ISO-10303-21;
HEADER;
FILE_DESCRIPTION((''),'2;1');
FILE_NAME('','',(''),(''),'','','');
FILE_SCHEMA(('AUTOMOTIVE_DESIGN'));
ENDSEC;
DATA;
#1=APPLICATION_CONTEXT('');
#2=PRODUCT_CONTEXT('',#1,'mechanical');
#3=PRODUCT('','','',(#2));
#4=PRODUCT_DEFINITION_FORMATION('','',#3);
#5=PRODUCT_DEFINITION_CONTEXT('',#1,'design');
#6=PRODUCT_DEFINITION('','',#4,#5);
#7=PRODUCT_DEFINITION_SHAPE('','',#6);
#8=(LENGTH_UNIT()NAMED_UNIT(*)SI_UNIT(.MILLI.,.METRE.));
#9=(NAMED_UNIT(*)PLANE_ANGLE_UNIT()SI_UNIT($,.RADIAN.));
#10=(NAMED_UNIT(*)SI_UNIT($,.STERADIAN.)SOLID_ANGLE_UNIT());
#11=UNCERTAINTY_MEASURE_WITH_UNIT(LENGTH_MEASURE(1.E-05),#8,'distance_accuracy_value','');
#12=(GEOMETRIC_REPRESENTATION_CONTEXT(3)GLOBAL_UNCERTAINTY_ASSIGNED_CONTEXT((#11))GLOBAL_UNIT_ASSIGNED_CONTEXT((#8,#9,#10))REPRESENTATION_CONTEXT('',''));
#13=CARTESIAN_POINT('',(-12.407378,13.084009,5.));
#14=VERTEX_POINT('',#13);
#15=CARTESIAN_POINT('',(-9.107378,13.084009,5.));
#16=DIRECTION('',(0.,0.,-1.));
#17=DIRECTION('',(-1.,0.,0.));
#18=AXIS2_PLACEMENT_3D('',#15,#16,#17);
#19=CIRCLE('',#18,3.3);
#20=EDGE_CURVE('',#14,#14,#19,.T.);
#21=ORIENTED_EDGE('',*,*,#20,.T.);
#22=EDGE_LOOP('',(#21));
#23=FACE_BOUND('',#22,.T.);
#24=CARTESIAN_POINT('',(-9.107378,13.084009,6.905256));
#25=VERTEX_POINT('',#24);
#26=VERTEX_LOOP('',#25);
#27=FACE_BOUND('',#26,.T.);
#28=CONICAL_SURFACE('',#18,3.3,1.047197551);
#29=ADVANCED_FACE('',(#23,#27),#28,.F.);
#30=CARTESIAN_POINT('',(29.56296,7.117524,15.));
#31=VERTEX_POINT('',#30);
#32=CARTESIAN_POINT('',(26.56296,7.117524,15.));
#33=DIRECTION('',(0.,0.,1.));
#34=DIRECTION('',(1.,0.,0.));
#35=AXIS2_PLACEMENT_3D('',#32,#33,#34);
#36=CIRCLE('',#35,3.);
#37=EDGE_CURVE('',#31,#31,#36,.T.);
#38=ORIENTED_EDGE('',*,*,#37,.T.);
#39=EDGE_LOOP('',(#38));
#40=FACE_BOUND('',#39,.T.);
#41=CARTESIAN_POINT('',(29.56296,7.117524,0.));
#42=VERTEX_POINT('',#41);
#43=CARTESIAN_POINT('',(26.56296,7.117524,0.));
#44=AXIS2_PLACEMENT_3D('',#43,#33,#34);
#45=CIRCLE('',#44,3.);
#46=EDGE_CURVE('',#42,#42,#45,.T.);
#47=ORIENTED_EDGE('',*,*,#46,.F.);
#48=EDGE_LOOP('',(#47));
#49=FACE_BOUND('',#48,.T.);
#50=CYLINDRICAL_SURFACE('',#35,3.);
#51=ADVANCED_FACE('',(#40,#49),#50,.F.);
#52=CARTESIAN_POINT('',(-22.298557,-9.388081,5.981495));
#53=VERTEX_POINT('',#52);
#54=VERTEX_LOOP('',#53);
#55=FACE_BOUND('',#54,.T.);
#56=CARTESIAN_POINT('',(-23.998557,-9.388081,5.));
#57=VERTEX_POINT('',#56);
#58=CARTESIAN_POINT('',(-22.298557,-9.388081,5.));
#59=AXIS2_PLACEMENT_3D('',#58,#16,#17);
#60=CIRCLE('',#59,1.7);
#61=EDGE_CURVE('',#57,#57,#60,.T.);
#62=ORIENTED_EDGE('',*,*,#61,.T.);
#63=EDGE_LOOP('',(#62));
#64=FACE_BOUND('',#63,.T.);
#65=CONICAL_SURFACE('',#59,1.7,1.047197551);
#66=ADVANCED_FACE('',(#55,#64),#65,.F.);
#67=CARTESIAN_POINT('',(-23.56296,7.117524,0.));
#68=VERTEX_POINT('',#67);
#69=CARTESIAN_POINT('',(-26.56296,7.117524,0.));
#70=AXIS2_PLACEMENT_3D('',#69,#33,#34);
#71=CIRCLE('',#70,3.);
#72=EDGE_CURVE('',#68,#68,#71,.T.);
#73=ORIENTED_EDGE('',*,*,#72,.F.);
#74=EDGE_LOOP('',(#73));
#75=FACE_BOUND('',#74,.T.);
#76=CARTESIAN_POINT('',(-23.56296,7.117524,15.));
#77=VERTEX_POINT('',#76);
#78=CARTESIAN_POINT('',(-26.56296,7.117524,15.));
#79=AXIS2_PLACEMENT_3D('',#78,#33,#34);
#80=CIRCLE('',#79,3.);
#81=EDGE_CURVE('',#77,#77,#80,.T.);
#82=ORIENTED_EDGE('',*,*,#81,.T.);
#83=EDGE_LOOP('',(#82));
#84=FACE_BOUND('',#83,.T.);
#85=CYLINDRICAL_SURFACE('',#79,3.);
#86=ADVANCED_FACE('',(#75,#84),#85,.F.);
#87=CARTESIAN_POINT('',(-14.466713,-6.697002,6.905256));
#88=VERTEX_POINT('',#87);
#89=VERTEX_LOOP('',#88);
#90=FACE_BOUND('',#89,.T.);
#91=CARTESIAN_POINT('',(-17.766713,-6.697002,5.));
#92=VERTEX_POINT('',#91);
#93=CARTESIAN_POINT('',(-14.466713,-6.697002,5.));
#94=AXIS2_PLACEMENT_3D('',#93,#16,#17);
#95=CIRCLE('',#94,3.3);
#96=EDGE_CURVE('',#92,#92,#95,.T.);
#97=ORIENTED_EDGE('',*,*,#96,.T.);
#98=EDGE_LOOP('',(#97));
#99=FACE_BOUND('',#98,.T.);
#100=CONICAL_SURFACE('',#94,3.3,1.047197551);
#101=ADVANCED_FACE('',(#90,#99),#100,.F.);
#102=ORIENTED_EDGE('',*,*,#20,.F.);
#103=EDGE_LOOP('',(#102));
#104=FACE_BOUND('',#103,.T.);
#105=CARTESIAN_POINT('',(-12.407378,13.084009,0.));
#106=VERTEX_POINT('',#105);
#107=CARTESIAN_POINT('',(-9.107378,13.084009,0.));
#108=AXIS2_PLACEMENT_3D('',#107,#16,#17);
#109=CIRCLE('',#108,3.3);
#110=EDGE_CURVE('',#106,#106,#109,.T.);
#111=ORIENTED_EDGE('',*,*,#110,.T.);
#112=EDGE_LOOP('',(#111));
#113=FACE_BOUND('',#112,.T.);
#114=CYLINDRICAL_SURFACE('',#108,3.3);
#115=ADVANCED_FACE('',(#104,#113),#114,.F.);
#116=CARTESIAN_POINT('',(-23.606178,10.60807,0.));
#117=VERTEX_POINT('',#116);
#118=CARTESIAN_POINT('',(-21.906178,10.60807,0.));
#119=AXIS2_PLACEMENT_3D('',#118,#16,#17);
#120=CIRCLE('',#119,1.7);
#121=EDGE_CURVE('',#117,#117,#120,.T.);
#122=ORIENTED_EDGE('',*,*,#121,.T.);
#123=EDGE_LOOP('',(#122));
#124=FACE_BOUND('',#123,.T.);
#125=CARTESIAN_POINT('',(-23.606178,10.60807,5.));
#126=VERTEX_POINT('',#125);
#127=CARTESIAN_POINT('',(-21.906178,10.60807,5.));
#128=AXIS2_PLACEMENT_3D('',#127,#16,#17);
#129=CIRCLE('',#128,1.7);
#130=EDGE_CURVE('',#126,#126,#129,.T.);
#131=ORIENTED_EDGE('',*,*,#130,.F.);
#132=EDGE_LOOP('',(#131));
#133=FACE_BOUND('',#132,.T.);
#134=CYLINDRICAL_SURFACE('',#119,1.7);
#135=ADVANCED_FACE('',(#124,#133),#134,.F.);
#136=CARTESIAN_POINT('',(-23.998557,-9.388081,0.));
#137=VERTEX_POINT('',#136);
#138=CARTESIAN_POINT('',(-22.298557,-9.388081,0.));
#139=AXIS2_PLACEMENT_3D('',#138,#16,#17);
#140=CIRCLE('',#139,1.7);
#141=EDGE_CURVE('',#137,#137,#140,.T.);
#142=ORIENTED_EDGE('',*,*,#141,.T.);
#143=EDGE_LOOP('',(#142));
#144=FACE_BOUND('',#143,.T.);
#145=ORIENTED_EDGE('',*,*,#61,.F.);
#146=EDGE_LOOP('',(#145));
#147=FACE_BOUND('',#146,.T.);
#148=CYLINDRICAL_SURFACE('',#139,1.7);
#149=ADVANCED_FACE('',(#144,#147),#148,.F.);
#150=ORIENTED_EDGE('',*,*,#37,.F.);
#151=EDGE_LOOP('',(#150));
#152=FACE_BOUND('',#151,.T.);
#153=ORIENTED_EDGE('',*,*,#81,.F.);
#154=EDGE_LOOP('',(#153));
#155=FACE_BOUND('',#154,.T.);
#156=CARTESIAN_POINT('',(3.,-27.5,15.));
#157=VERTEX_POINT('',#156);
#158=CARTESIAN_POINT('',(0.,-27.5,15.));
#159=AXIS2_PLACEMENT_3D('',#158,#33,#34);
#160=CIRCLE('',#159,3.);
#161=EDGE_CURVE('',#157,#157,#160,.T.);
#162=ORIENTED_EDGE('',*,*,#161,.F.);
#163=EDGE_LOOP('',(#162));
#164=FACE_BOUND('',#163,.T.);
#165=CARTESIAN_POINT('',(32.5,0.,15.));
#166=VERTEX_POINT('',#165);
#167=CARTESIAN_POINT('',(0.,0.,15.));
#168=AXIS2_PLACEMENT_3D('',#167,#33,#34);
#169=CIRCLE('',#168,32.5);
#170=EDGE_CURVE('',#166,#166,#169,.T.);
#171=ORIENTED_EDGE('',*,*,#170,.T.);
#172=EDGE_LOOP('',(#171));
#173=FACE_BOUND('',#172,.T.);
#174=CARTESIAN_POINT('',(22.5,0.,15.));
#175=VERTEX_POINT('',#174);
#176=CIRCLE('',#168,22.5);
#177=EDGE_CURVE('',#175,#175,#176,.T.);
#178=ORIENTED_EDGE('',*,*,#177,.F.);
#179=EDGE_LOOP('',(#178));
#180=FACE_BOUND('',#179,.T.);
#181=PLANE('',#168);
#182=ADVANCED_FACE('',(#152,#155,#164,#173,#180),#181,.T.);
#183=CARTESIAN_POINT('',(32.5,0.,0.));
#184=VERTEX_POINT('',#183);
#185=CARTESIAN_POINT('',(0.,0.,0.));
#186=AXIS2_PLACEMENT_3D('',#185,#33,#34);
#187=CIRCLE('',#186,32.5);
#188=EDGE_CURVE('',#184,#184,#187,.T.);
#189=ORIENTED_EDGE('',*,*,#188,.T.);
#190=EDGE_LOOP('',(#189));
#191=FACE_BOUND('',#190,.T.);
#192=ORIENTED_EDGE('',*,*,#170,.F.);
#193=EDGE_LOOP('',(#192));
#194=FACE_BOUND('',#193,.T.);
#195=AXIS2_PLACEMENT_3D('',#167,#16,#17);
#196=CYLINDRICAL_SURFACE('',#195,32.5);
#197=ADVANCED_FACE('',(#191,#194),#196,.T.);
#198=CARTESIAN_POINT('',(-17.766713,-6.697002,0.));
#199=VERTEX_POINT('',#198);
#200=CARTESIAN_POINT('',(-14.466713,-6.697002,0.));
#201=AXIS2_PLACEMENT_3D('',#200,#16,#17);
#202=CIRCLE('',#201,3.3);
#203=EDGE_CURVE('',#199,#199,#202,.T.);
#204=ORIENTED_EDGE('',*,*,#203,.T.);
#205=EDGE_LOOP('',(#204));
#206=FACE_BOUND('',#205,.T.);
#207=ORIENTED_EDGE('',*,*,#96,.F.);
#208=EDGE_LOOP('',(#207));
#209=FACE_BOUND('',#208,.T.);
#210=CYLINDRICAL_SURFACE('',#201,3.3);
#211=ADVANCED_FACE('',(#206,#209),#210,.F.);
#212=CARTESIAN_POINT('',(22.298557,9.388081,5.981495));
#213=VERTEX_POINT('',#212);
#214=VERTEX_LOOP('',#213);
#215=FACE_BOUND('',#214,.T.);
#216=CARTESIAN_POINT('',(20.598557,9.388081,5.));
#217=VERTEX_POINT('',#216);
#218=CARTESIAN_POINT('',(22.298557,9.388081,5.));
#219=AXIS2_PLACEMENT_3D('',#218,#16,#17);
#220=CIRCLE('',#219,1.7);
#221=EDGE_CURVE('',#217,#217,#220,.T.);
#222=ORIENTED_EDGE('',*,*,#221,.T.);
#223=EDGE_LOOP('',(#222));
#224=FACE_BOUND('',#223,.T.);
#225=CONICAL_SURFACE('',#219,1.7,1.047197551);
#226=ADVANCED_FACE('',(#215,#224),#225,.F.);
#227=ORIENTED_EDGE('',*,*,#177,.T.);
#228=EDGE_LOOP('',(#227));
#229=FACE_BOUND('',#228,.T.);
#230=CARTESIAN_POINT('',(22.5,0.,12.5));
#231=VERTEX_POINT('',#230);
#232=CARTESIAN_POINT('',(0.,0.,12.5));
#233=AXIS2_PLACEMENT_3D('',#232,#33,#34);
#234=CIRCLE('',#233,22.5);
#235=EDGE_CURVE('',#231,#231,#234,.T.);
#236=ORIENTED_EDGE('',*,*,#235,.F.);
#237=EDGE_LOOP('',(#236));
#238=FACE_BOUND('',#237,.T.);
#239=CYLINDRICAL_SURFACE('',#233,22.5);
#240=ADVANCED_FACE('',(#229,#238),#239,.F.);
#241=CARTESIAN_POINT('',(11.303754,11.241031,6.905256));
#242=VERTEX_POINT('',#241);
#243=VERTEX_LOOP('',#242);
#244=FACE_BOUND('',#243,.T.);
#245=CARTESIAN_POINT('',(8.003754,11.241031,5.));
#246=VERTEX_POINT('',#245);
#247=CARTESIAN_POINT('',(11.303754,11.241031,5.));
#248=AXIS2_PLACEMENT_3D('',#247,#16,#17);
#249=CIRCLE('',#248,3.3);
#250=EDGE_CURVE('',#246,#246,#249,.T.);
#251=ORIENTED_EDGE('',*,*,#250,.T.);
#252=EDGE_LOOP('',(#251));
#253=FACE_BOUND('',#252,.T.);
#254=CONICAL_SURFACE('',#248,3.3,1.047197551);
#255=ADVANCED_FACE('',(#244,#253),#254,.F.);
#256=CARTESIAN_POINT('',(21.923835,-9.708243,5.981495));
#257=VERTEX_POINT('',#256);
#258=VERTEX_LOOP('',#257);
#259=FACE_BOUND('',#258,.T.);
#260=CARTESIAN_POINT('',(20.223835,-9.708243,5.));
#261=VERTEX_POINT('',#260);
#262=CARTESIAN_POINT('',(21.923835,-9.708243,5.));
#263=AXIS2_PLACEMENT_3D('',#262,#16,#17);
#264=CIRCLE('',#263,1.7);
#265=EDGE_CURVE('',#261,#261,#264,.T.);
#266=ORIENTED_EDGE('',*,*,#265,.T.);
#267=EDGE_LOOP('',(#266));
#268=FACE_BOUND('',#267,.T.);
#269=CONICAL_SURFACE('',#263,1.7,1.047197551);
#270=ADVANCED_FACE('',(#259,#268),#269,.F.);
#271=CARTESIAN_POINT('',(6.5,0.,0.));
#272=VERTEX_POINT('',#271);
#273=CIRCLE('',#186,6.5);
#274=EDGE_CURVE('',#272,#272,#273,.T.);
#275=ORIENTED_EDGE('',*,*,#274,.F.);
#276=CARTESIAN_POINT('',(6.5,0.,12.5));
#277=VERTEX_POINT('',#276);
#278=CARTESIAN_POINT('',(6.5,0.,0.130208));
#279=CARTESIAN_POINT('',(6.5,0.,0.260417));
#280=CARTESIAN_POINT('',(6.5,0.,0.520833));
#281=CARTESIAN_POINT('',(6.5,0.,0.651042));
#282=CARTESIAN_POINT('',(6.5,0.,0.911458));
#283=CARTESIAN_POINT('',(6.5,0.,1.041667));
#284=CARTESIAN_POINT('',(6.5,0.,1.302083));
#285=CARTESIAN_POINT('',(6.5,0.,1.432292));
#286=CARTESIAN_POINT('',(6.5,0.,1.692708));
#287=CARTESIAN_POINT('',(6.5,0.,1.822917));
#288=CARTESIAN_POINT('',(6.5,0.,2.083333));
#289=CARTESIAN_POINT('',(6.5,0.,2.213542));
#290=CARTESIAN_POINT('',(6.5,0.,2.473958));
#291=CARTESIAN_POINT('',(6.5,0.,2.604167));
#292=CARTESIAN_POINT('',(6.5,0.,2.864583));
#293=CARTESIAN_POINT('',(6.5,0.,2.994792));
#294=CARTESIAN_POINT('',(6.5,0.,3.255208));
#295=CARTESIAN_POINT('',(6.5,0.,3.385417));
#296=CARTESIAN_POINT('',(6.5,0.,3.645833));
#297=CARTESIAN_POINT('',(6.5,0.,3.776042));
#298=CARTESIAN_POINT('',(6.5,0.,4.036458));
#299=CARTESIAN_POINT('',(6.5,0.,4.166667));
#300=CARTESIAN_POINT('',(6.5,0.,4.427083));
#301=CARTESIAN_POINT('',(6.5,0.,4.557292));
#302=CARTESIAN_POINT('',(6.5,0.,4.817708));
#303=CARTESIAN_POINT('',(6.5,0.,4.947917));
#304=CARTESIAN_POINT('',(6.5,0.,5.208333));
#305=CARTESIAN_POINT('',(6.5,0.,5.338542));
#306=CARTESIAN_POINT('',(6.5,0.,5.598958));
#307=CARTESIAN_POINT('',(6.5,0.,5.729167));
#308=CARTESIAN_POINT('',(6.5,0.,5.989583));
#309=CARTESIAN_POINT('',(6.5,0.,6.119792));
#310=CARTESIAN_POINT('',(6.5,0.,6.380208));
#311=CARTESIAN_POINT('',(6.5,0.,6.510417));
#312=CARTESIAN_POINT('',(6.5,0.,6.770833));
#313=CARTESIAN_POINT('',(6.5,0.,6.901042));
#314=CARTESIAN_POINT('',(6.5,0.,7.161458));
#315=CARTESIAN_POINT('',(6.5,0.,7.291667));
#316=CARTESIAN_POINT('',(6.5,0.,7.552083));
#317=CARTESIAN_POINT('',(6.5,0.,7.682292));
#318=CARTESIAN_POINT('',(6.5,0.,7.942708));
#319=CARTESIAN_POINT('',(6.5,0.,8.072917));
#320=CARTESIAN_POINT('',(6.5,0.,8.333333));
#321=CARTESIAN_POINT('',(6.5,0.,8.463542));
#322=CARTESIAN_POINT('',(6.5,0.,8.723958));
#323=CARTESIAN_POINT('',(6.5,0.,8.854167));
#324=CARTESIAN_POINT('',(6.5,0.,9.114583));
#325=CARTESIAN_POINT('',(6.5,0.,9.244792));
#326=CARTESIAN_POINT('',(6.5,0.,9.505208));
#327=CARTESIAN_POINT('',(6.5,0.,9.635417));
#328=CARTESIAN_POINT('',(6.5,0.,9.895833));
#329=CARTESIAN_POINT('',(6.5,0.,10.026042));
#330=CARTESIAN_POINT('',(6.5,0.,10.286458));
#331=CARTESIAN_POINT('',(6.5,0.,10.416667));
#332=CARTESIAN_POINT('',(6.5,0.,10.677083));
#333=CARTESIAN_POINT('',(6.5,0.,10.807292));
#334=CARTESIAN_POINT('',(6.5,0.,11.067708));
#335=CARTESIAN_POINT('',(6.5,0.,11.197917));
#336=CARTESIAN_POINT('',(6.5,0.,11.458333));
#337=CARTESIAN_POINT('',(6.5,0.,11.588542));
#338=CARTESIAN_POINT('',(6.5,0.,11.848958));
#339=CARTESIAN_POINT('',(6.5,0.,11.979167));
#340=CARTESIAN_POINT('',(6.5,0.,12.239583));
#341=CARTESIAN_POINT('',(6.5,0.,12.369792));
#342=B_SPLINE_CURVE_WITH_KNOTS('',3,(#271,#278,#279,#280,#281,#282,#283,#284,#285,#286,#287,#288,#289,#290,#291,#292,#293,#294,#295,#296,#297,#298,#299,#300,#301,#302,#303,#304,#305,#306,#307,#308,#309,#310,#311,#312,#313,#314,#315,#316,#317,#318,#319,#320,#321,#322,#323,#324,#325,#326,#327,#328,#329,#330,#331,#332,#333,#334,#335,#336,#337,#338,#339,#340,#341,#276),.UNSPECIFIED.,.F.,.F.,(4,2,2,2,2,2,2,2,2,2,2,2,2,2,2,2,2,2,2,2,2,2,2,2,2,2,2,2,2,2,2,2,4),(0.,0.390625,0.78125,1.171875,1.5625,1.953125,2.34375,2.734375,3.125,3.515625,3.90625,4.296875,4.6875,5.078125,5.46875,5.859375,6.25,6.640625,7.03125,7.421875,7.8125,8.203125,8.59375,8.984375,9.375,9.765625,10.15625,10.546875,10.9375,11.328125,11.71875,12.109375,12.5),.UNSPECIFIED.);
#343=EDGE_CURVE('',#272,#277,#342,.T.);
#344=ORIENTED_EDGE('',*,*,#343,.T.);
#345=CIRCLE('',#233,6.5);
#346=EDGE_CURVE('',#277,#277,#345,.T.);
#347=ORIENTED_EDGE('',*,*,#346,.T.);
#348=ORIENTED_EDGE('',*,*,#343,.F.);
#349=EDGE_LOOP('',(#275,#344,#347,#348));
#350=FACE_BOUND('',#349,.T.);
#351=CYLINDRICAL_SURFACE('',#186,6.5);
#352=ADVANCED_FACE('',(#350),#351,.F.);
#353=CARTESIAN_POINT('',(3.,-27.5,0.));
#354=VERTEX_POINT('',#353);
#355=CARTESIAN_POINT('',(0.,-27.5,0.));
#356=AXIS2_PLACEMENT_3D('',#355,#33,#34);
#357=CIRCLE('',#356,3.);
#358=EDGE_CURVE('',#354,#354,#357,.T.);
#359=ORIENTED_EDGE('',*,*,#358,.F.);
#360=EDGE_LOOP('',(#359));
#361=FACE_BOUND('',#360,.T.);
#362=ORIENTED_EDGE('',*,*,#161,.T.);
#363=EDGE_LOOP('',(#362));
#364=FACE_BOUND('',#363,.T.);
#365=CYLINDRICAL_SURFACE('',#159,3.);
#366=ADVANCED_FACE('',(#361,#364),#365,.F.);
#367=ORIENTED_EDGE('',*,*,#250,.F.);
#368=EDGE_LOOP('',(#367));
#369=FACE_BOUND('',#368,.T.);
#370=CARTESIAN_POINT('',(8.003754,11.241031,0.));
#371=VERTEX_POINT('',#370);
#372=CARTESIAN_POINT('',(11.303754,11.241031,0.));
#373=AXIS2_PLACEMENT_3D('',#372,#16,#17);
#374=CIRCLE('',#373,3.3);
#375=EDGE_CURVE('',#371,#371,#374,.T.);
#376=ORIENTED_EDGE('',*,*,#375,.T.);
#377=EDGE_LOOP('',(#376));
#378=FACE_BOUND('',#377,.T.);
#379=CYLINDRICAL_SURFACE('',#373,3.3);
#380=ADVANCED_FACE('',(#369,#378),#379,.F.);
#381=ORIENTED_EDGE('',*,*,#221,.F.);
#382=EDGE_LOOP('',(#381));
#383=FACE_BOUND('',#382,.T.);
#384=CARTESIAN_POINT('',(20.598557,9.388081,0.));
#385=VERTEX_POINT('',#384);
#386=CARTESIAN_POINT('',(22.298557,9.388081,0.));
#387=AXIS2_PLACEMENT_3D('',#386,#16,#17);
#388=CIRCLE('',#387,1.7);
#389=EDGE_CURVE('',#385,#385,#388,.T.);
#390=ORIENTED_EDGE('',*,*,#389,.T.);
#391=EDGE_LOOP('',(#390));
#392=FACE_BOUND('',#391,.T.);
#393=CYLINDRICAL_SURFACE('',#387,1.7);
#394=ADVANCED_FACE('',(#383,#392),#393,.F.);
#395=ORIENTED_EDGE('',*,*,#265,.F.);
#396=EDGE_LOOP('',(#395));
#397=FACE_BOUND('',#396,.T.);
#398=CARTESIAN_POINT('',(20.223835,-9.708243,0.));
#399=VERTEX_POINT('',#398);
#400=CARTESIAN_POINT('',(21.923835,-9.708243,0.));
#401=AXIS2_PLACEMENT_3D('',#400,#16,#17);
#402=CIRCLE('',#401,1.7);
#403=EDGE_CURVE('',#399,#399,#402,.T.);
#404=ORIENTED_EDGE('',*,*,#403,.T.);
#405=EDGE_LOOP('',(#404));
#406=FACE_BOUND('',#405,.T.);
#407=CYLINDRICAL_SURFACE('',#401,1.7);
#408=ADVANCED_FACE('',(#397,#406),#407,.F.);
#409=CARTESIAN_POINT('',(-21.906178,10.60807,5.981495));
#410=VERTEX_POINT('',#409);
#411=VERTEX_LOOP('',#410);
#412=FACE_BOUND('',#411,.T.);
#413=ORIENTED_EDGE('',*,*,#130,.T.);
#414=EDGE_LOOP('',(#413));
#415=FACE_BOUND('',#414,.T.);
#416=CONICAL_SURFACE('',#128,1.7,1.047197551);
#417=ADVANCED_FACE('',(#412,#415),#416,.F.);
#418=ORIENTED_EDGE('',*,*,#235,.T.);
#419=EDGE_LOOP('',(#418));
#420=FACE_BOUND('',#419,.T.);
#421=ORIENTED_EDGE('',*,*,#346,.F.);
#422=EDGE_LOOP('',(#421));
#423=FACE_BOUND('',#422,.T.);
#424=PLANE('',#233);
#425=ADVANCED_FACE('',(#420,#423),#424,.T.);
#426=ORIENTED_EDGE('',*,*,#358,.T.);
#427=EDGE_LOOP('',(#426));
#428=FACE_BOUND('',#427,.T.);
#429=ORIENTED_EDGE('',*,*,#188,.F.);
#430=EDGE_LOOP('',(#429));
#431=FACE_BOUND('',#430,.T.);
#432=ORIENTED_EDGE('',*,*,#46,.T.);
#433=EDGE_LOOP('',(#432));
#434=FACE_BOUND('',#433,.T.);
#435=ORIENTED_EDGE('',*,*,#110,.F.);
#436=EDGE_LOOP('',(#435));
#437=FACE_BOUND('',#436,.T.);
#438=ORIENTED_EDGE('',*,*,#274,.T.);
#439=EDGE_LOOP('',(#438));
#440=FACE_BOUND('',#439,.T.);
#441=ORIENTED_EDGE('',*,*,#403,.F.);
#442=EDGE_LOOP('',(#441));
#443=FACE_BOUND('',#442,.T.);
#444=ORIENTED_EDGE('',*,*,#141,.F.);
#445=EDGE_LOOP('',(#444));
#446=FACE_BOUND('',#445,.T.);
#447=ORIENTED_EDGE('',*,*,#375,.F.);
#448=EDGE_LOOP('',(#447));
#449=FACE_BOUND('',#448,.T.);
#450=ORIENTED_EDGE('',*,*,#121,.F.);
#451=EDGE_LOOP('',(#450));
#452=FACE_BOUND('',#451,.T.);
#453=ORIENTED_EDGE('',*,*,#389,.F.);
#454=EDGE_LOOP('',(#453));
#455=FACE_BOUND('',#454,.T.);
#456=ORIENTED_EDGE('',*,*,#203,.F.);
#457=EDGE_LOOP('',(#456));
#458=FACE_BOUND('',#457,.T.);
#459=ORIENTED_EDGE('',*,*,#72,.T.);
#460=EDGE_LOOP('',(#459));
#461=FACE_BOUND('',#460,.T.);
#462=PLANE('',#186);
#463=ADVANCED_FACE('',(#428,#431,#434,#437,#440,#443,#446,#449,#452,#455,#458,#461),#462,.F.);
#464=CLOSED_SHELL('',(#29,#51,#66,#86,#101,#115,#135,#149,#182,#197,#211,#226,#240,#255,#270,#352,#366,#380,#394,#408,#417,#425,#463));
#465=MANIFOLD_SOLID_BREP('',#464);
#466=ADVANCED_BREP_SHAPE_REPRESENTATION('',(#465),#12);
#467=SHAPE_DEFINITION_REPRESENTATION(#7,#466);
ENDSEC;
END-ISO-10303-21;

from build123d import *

# Parameters (mm, degrees)
ESQUISSE1_R                = 32.5
BOSS_EXTRU_1_DEPTH         = 15
ESQUISSE2_R                = 22.5
ENL_V_MAT_EXTRU_1_DEPTH    = 2.5
ESQUISSE3_R                = 6.5
ENL_V_MAT_EXTRU_2_DEPTH    = 48.631397208
TROUS_DE_CENTRAGE_6_0MM1_D = 6
D_GAGEMENT_M61_D           = 6.6
D_GAGEMENT_M61_DEPTH       = 5
D_GAGEMENT_M61_TIP         = 1.905255888
D_GAGEMENT_M31_D           = 3.4
D_GAGEMENT_M31_DEPTH       = 5
D_GAGEMENT_M31_TIP         = 0.981495458
D_GAGEMENT_M32_D           = 3.4
D_GAGEMENT_M32_DEPTH       = 5
D_GAGEMENT_M32_TIP         = 0.981495458


with BuildPart() as part:
    # Esquisse1 → Boss.-Extru.1 (new body)
    with BuildSketch(Plane.XY):
        Circle(ESQUISSE1_R)
    extrude(amount=BOSS_EXTRU_1_DEPTH)

    # Esquisse2 → Enlèv. mat.-Extru.1 (cut)
    with BuildSketch(Plane.XY.offset(15)):
        Circle(ESQUISSE2_R)
    extrude(amount=-ENL_V_MAT_EXTRU_1_DEPTH, mode=Mode.SUBTRACT)

    # Esquisse3 → Enlèv. mat.-Extru.2 (cut, through all)
    with BuildSketch(Plane.XY.offset(12.5)):
        Circle(ESQUISSE3_R)
    extrude(amount=-ENL_V_MAT_EXTRU_2_DEPTH, mode=Mode.SUBTRACT)

    # Trous de centrage Ø6.0mm1 (through all)
    with Locations(Plane.XY.offset(15)):
        with Locations((0, -27.5), (-26.562960223, 7.11752374), (26.562960223, 7.11752374)):
            Hole(TROUS_DE_CENTRAGE_6_0MM1_D / 2)

    # Dégagement M61
    with Locations(Plane(origin=(0, 0, 0), x_dir=(-1, 0, 0), z_dir=(0, 0, -1))):
        with Locations((-11.303753991, 11.241031035), (9.107378233, 13.084009123), (14.466713258, -6.697002353)):
            Hole(D_GAGEMENT_M61_D / 2, depth=D_GAGEMENT_M61_DEPTH)
            with Locations((0, 0, -(D_GAGEMENT_M61_DEPTH + D_GAGEMENT_M61_TIP / 2))):  # 120° drill point
                Cone(0, D_GAGEMENT_M61_D / 2, D_GAGEMENT_M61_TIP, mode=Mode.SUBTRACT)

    # Dégagement M31
    with Locations(Plane(origin=(0, 0, 0), x_dir=(-1, 0, 0), z_dir=(0, 0, -1))):
        with Locations((22.298556593, -9.388080653), (21.906177888, 10.608069951)):
            Hole(D_GAGEMENT_M31_D / 2, depth=D_GAGEMENT_M31_DEPTH)
            with Locations((0, 0, -(D_GAGEMENT_M31_DEPTH + D_GAGEMENT_M31_TIP / 2))):  # 120° drill point
                Cone(0, D_GAGEMENT_M31_D / 2, D_GAGEMENT_M31_TIP, mode=Mode.SUBTRACT)

    # Dégagement M32
    with Locations(Plane(origin=(0, 0, 0), x_dir=(-1, 0, 0), z_dir=(0, 0, -1))):
        with Locations((-21.92383493, -9.708243173), (-22.298556593, 9.388080653)):
            Hole(D_GAGEMENT_M32_D / 2, depth=D_GAGEMENT_M32_DEPTH)
            with Locations((0, 0, -(D_GAGEMENT_M32_DEPTH + D_GAGEMENT_M32_TIP / 2))):  # 120° drill point
                Cone(0, D_GAGEMENT_M32_D / 2, D_GAGEMENT_M32_TIP, mode=Mode.SUBTRACT)


solid = part.part
